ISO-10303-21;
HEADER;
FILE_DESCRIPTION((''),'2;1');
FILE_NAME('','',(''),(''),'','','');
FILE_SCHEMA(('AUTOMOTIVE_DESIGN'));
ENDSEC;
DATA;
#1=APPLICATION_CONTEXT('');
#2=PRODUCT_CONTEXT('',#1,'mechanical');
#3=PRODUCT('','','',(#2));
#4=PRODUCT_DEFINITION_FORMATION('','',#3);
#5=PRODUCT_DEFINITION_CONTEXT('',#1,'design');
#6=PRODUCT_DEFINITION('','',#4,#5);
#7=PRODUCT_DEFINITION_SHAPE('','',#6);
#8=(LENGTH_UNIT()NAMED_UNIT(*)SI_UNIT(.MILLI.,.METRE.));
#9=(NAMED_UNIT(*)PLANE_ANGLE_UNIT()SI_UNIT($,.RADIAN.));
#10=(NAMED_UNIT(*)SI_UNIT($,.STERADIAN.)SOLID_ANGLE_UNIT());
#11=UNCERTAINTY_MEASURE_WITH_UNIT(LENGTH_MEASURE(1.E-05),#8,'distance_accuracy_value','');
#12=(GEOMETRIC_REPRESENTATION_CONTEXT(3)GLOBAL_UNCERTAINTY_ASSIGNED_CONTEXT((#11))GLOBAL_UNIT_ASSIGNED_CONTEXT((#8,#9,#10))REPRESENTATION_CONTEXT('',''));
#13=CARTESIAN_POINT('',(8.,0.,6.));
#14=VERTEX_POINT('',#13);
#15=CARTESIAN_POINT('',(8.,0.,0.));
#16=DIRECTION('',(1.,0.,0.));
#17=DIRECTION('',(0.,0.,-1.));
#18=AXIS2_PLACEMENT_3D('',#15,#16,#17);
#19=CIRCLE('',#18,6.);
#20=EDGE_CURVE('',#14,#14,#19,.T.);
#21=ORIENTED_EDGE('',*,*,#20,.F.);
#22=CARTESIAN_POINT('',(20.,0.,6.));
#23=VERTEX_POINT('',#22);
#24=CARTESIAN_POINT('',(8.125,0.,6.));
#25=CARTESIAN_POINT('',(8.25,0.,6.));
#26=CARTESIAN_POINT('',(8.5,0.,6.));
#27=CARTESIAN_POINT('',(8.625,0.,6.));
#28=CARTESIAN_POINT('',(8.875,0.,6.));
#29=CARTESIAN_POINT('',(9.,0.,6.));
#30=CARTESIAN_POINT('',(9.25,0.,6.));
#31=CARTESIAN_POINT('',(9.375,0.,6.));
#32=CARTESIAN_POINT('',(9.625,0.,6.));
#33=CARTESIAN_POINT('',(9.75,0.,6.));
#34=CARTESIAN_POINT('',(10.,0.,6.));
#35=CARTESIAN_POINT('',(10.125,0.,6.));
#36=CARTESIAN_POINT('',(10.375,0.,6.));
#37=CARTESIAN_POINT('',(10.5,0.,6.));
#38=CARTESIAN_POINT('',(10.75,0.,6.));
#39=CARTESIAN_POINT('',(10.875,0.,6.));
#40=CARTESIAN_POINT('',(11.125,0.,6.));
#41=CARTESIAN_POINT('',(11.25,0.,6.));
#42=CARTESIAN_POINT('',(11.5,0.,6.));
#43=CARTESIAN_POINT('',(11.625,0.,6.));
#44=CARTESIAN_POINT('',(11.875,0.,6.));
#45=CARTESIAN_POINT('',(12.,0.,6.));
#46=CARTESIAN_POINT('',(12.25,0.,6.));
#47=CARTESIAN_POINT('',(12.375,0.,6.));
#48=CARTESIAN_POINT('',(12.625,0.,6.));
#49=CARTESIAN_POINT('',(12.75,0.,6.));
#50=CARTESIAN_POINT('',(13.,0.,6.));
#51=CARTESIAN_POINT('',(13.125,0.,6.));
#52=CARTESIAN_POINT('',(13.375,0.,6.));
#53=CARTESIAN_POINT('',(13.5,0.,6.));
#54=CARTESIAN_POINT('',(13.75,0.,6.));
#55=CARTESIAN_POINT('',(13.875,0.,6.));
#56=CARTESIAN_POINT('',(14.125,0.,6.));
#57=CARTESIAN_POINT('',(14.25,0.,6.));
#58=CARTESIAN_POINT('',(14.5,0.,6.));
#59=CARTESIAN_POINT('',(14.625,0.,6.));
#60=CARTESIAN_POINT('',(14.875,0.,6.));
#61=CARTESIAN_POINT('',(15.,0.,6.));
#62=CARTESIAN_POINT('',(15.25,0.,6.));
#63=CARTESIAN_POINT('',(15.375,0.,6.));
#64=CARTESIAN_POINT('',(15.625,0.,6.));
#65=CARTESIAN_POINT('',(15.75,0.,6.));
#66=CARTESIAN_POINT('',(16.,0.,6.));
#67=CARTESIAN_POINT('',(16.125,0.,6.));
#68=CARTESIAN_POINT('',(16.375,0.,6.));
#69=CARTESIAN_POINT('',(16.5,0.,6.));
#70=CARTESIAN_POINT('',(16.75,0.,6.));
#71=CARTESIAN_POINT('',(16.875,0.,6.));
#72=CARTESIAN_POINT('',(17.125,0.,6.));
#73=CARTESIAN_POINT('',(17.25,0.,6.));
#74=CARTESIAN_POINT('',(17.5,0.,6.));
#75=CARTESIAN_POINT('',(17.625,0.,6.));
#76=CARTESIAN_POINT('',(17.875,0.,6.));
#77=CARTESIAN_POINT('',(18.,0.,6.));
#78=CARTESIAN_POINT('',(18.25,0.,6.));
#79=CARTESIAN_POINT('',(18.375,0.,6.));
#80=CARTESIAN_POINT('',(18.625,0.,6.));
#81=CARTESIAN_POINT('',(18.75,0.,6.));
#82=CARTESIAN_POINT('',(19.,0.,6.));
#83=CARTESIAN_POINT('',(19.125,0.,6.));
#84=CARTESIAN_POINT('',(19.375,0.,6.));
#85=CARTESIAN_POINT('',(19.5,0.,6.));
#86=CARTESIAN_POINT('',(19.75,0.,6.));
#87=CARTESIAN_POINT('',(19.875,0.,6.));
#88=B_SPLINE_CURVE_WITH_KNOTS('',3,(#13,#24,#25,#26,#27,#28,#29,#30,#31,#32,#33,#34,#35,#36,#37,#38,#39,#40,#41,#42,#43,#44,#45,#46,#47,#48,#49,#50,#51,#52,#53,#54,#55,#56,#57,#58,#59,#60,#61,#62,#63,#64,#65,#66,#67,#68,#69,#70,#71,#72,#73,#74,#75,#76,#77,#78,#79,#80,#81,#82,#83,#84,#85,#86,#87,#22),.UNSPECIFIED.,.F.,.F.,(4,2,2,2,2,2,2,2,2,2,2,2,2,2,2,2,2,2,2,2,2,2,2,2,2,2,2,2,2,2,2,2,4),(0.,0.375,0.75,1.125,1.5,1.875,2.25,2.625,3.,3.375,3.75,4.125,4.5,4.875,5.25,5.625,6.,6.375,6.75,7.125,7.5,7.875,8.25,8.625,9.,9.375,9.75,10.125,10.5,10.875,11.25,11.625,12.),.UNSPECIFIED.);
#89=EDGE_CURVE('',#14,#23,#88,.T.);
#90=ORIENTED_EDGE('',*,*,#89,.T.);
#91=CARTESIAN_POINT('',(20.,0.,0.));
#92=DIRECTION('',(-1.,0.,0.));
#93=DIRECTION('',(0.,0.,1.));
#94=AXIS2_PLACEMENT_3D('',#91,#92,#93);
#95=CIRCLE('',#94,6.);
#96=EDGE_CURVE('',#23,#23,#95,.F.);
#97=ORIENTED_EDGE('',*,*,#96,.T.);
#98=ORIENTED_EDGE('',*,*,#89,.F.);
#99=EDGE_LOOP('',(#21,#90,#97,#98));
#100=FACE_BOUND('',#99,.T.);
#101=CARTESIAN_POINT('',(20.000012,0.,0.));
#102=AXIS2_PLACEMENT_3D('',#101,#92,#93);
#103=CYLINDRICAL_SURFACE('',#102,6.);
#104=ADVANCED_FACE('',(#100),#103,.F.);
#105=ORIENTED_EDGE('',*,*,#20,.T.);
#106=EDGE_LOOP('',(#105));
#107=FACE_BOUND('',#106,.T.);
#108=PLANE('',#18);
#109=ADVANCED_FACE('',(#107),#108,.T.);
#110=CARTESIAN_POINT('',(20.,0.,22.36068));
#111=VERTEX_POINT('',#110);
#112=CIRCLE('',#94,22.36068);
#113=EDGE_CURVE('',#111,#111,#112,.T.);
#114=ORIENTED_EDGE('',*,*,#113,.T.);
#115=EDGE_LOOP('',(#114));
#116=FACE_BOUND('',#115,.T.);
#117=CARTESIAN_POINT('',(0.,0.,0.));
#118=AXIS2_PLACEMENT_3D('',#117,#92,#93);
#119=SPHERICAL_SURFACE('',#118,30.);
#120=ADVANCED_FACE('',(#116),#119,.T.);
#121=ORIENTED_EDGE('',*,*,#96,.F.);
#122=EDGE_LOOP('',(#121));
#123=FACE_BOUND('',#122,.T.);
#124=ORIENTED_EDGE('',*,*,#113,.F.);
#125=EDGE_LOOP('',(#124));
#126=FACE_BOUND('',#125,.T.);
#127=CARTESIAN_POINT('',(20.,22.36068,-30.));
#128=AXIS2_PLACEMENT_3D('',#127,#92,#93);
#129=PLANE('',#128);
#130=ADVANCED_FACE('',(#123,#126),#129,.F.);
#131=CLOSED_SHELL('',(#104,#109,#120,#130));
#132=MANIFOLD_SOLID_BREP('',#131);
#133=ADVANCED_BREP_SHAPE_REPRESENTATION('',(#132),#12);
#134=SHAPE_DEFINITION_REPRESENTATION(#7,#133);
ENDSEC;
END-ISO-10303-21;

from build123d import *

# Parameters (mm, degrees)
CUT_EXTRUDE_THIN1_DEPTH      = 52.961524227
CUT_EXTRUDE_THIN1_DEPTH_BACK = 52.961524227
SKETCH2_W                    = 30
SKETCH2_H                    = 44.72135955
CUT_EXTRUDE1_DEPTH           = 66.574385243
CUT_EXTRUDE1_DEPTH_BACK      = 12
SKETCH3_R                    = 6


with BuildPart() as part:
    # Sketch1 → Revolve1 (revolve)
    with BuildSketch(Plane.XY):
        with BuildLine():
            Line((0, 30), (0, -30))
            ThreePointArc((0, -30), (30, 0), (0, 30))
        make_face()
    revolve(axis=Axis((0, 30, 0), (0, -1, 0)))

    # Sketch2 → Cut-Extrude-Thin1 (cut, two sides: drawn at the far end of the back side and taken through both)
    with BuildSketch(Plane.XY.offset(-CUT_EXTRUDE_THIN1_DEPTH_BACK)):
        with Locations((35, 0)):
            Rectangle(SKETCH2_W, SKETCH2_H)
    extrude(amount=CUT_EXTRUDE_THIN1_DEPTH + CUT_EXTRUDE_THIN1_DEPTH_BACK, mode=Mode.SUBTRACT)

    # Sketch3 → Cut-Extrude1 (cut, two sides: drawn at the far end of the back side and taken through both)
    with BuildSketch(Plane(origin=(20, 0, 0), x_dir=(0, 0, -1), z_dir=(1, 0, 0)).offset(-CUT_EXTRUDE1_DEPTH_BACK)):
        with Locations(Location((0, 0, 0), (0, 0, 180))):
            Circle(SKETCH3_R)
    extrude(amount=CUT_EXTRUDE1_DEPTH + CUT_EXTRUDE1_DEPTH_BACK, mode=Mode.SUBTRACT)


solid = part.part
